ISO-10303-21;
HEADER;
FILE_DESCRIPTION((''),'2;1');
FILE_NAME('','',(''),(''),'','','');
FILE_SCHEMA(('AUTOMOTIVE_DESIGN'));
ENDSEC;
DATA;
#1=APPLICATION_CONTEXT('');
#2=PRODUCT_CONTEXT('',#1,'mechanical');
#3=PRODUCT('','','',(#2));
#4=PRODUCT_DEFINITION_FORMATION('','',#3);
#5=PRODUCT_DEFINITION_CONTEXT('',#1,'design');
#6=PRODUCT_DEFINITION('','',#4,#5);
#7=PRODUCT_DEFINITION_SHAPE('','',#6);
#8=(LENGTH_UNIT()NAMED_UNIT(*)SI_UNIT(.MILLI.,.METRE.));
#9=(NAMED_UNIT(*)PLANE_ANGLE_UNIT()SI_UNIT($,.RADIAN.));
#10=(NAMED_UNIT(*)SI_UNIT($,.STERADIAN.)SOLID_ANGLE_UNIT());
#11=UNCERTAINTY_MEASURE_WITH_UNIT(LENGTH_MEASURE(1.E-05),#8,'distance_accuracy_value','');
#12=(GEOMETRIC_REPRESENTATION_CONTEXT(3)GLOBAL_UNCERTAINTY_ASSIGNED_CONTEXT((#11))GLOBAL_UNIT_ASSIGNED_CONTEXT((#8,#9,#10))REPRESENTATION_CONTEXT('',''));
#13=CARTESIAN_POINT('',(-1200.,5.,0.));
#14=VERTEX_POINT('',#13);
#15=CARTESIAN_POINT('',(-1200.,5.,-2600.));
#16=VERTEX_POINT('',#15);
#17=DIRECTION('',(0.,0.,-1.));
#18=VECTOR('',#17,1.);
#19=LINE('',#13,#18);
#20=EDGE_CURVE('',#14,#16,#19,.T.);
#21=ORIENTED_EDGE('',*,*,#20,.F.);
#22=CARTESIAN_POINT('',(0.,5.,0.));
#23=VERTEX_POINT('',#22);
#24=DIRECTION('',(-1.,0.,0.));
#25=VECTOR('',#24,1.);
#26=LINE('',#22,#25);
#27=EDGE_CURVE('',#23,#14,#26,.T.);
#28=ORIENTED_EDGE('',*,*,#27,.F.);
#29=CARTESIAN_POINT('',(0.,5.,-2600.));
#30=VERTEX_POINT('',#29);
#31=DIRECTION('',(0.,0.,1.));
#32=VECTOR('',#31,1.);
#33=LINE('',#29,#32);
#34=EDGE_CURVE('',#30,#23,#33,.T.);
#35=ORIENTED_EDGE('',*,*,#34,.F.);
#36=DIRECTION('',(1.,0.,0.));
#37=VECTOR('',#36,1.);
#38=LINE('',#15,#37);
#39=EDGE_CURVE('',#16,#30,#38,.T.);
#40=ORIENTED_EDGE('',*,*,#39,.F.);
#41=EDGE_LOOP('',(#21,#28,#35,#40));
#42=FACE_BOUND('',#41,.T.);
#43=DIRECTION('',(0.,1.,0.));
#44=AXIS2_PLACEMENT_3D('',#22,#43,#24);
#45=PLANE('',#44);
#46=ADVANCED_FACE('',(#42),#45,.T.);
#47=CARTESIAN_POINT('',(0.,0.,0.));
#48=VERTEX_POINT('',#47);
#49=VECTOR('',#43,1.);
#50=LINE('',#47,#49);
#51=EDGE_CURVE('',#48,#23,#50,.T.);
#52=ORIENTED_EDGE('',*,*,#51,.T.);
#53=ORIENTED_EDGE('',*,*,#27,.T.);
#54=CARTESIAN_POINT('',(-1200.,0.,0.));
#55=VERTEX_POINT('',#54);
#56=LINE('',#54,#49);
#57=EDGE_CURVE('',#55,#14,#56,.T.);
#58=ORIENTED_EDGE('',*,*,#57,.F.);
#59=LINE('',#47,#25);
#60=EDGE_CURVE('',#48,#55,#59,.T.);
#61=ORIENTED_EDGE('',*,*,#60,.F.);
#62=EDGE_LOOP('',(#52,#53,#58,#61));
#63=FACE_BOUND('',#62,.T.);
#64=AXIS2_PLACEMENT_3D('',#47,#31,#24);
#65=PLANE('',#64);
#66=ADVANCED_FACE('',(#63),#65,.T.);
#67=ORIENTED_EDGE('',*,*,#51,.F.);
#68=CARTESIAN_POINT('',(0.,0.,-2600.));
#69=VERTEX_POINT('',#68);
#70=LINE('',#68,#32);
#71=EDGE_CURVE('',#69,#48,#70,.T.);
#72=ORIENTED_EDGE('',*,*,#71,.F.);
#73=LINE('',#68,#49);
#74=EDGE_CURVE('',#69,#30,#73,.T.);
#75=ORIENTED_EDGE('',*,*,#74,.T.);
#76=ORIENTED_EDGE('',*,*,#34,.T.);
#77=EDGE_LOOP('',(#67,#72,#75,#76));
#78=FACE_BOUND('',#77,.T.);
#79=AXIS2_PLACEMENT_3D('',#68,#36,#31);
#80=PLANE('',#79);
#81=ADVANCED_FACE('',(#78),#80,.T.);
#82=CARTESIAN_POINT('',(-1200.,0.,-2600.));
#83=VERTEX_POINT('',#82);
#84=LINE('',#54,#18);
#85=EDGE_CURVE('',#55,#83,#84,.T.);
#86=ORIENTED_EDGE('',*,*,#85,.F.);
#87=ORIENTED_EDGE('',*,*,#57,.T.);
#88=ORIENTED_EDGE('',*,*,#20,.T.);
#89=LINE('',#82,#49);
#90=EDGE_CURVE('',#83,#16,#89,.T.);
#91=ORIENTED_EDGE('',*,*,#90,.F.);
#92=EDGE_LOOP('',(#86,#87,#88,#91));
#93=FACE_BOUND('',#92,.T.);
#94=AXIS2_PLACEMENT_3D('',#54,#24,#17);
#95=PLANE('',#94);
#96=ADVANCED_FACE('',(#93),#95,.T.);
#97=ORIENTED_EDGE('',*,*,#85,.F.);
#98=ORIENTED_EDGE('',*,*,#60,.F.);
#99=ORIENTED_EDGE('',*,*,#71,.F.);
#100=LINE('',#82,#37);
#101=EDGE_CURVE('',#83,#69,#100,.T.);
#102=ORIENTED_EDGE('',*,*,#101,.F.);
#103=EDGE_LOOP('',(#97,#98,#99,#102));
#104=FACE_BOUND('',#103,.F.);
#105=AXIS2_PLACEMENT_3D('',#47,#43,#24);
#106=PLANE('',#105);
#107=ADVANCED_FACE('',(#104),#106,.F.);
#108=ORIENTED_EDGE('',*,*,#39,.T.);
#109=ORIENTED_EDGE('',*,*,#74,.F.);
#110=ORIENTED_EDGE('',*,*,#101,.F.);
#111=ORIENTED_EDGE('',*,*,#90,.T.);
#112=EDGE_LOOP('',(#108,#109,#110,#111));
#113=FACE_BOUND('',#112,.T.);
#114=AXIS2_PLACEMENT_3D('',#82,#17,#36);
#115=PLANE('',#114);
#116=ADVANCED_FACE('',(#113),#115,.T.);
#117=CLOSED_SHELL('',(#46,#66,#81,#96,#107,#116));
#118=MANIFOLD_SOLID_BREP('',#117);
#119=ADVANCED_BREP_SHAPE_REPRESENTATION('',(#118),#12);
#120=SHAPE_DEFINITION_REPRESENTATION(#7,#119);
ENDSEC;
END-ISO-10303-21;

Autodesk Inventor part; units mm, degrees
ref_plane "YZ Plane" through (0, 0, 0) normal (1, 0, 0) x (0, 1, 0)
ref_plane "XZ Plane" through (0, 0, 0) normal (0, 1, 0) x (-1, 0, 0)
ref_plane "XY Plane" through (0, 0, 0) normal (0, 0, 1) x (1, 0, 0)
sketch "Sketch1" plane through (0, 0, 0) normal (0, 1, 0) x (-1, 0, 0)
  line L0 (0, 0) -> (1200, 0)
  line L1 (1200, 0) -> (1200, -2600)
  line L2 (1200, -2600) -> (0, -2600)
  line L3 (0, -2600) -> (0, 0)
  dimension "d0" = 1200
  dimension "d1" = 2600
extrude "Extrusion1" add sketch "Sketch1" along normal blind 5
properties part number "ReflectorWallWidee" material "Silver"
